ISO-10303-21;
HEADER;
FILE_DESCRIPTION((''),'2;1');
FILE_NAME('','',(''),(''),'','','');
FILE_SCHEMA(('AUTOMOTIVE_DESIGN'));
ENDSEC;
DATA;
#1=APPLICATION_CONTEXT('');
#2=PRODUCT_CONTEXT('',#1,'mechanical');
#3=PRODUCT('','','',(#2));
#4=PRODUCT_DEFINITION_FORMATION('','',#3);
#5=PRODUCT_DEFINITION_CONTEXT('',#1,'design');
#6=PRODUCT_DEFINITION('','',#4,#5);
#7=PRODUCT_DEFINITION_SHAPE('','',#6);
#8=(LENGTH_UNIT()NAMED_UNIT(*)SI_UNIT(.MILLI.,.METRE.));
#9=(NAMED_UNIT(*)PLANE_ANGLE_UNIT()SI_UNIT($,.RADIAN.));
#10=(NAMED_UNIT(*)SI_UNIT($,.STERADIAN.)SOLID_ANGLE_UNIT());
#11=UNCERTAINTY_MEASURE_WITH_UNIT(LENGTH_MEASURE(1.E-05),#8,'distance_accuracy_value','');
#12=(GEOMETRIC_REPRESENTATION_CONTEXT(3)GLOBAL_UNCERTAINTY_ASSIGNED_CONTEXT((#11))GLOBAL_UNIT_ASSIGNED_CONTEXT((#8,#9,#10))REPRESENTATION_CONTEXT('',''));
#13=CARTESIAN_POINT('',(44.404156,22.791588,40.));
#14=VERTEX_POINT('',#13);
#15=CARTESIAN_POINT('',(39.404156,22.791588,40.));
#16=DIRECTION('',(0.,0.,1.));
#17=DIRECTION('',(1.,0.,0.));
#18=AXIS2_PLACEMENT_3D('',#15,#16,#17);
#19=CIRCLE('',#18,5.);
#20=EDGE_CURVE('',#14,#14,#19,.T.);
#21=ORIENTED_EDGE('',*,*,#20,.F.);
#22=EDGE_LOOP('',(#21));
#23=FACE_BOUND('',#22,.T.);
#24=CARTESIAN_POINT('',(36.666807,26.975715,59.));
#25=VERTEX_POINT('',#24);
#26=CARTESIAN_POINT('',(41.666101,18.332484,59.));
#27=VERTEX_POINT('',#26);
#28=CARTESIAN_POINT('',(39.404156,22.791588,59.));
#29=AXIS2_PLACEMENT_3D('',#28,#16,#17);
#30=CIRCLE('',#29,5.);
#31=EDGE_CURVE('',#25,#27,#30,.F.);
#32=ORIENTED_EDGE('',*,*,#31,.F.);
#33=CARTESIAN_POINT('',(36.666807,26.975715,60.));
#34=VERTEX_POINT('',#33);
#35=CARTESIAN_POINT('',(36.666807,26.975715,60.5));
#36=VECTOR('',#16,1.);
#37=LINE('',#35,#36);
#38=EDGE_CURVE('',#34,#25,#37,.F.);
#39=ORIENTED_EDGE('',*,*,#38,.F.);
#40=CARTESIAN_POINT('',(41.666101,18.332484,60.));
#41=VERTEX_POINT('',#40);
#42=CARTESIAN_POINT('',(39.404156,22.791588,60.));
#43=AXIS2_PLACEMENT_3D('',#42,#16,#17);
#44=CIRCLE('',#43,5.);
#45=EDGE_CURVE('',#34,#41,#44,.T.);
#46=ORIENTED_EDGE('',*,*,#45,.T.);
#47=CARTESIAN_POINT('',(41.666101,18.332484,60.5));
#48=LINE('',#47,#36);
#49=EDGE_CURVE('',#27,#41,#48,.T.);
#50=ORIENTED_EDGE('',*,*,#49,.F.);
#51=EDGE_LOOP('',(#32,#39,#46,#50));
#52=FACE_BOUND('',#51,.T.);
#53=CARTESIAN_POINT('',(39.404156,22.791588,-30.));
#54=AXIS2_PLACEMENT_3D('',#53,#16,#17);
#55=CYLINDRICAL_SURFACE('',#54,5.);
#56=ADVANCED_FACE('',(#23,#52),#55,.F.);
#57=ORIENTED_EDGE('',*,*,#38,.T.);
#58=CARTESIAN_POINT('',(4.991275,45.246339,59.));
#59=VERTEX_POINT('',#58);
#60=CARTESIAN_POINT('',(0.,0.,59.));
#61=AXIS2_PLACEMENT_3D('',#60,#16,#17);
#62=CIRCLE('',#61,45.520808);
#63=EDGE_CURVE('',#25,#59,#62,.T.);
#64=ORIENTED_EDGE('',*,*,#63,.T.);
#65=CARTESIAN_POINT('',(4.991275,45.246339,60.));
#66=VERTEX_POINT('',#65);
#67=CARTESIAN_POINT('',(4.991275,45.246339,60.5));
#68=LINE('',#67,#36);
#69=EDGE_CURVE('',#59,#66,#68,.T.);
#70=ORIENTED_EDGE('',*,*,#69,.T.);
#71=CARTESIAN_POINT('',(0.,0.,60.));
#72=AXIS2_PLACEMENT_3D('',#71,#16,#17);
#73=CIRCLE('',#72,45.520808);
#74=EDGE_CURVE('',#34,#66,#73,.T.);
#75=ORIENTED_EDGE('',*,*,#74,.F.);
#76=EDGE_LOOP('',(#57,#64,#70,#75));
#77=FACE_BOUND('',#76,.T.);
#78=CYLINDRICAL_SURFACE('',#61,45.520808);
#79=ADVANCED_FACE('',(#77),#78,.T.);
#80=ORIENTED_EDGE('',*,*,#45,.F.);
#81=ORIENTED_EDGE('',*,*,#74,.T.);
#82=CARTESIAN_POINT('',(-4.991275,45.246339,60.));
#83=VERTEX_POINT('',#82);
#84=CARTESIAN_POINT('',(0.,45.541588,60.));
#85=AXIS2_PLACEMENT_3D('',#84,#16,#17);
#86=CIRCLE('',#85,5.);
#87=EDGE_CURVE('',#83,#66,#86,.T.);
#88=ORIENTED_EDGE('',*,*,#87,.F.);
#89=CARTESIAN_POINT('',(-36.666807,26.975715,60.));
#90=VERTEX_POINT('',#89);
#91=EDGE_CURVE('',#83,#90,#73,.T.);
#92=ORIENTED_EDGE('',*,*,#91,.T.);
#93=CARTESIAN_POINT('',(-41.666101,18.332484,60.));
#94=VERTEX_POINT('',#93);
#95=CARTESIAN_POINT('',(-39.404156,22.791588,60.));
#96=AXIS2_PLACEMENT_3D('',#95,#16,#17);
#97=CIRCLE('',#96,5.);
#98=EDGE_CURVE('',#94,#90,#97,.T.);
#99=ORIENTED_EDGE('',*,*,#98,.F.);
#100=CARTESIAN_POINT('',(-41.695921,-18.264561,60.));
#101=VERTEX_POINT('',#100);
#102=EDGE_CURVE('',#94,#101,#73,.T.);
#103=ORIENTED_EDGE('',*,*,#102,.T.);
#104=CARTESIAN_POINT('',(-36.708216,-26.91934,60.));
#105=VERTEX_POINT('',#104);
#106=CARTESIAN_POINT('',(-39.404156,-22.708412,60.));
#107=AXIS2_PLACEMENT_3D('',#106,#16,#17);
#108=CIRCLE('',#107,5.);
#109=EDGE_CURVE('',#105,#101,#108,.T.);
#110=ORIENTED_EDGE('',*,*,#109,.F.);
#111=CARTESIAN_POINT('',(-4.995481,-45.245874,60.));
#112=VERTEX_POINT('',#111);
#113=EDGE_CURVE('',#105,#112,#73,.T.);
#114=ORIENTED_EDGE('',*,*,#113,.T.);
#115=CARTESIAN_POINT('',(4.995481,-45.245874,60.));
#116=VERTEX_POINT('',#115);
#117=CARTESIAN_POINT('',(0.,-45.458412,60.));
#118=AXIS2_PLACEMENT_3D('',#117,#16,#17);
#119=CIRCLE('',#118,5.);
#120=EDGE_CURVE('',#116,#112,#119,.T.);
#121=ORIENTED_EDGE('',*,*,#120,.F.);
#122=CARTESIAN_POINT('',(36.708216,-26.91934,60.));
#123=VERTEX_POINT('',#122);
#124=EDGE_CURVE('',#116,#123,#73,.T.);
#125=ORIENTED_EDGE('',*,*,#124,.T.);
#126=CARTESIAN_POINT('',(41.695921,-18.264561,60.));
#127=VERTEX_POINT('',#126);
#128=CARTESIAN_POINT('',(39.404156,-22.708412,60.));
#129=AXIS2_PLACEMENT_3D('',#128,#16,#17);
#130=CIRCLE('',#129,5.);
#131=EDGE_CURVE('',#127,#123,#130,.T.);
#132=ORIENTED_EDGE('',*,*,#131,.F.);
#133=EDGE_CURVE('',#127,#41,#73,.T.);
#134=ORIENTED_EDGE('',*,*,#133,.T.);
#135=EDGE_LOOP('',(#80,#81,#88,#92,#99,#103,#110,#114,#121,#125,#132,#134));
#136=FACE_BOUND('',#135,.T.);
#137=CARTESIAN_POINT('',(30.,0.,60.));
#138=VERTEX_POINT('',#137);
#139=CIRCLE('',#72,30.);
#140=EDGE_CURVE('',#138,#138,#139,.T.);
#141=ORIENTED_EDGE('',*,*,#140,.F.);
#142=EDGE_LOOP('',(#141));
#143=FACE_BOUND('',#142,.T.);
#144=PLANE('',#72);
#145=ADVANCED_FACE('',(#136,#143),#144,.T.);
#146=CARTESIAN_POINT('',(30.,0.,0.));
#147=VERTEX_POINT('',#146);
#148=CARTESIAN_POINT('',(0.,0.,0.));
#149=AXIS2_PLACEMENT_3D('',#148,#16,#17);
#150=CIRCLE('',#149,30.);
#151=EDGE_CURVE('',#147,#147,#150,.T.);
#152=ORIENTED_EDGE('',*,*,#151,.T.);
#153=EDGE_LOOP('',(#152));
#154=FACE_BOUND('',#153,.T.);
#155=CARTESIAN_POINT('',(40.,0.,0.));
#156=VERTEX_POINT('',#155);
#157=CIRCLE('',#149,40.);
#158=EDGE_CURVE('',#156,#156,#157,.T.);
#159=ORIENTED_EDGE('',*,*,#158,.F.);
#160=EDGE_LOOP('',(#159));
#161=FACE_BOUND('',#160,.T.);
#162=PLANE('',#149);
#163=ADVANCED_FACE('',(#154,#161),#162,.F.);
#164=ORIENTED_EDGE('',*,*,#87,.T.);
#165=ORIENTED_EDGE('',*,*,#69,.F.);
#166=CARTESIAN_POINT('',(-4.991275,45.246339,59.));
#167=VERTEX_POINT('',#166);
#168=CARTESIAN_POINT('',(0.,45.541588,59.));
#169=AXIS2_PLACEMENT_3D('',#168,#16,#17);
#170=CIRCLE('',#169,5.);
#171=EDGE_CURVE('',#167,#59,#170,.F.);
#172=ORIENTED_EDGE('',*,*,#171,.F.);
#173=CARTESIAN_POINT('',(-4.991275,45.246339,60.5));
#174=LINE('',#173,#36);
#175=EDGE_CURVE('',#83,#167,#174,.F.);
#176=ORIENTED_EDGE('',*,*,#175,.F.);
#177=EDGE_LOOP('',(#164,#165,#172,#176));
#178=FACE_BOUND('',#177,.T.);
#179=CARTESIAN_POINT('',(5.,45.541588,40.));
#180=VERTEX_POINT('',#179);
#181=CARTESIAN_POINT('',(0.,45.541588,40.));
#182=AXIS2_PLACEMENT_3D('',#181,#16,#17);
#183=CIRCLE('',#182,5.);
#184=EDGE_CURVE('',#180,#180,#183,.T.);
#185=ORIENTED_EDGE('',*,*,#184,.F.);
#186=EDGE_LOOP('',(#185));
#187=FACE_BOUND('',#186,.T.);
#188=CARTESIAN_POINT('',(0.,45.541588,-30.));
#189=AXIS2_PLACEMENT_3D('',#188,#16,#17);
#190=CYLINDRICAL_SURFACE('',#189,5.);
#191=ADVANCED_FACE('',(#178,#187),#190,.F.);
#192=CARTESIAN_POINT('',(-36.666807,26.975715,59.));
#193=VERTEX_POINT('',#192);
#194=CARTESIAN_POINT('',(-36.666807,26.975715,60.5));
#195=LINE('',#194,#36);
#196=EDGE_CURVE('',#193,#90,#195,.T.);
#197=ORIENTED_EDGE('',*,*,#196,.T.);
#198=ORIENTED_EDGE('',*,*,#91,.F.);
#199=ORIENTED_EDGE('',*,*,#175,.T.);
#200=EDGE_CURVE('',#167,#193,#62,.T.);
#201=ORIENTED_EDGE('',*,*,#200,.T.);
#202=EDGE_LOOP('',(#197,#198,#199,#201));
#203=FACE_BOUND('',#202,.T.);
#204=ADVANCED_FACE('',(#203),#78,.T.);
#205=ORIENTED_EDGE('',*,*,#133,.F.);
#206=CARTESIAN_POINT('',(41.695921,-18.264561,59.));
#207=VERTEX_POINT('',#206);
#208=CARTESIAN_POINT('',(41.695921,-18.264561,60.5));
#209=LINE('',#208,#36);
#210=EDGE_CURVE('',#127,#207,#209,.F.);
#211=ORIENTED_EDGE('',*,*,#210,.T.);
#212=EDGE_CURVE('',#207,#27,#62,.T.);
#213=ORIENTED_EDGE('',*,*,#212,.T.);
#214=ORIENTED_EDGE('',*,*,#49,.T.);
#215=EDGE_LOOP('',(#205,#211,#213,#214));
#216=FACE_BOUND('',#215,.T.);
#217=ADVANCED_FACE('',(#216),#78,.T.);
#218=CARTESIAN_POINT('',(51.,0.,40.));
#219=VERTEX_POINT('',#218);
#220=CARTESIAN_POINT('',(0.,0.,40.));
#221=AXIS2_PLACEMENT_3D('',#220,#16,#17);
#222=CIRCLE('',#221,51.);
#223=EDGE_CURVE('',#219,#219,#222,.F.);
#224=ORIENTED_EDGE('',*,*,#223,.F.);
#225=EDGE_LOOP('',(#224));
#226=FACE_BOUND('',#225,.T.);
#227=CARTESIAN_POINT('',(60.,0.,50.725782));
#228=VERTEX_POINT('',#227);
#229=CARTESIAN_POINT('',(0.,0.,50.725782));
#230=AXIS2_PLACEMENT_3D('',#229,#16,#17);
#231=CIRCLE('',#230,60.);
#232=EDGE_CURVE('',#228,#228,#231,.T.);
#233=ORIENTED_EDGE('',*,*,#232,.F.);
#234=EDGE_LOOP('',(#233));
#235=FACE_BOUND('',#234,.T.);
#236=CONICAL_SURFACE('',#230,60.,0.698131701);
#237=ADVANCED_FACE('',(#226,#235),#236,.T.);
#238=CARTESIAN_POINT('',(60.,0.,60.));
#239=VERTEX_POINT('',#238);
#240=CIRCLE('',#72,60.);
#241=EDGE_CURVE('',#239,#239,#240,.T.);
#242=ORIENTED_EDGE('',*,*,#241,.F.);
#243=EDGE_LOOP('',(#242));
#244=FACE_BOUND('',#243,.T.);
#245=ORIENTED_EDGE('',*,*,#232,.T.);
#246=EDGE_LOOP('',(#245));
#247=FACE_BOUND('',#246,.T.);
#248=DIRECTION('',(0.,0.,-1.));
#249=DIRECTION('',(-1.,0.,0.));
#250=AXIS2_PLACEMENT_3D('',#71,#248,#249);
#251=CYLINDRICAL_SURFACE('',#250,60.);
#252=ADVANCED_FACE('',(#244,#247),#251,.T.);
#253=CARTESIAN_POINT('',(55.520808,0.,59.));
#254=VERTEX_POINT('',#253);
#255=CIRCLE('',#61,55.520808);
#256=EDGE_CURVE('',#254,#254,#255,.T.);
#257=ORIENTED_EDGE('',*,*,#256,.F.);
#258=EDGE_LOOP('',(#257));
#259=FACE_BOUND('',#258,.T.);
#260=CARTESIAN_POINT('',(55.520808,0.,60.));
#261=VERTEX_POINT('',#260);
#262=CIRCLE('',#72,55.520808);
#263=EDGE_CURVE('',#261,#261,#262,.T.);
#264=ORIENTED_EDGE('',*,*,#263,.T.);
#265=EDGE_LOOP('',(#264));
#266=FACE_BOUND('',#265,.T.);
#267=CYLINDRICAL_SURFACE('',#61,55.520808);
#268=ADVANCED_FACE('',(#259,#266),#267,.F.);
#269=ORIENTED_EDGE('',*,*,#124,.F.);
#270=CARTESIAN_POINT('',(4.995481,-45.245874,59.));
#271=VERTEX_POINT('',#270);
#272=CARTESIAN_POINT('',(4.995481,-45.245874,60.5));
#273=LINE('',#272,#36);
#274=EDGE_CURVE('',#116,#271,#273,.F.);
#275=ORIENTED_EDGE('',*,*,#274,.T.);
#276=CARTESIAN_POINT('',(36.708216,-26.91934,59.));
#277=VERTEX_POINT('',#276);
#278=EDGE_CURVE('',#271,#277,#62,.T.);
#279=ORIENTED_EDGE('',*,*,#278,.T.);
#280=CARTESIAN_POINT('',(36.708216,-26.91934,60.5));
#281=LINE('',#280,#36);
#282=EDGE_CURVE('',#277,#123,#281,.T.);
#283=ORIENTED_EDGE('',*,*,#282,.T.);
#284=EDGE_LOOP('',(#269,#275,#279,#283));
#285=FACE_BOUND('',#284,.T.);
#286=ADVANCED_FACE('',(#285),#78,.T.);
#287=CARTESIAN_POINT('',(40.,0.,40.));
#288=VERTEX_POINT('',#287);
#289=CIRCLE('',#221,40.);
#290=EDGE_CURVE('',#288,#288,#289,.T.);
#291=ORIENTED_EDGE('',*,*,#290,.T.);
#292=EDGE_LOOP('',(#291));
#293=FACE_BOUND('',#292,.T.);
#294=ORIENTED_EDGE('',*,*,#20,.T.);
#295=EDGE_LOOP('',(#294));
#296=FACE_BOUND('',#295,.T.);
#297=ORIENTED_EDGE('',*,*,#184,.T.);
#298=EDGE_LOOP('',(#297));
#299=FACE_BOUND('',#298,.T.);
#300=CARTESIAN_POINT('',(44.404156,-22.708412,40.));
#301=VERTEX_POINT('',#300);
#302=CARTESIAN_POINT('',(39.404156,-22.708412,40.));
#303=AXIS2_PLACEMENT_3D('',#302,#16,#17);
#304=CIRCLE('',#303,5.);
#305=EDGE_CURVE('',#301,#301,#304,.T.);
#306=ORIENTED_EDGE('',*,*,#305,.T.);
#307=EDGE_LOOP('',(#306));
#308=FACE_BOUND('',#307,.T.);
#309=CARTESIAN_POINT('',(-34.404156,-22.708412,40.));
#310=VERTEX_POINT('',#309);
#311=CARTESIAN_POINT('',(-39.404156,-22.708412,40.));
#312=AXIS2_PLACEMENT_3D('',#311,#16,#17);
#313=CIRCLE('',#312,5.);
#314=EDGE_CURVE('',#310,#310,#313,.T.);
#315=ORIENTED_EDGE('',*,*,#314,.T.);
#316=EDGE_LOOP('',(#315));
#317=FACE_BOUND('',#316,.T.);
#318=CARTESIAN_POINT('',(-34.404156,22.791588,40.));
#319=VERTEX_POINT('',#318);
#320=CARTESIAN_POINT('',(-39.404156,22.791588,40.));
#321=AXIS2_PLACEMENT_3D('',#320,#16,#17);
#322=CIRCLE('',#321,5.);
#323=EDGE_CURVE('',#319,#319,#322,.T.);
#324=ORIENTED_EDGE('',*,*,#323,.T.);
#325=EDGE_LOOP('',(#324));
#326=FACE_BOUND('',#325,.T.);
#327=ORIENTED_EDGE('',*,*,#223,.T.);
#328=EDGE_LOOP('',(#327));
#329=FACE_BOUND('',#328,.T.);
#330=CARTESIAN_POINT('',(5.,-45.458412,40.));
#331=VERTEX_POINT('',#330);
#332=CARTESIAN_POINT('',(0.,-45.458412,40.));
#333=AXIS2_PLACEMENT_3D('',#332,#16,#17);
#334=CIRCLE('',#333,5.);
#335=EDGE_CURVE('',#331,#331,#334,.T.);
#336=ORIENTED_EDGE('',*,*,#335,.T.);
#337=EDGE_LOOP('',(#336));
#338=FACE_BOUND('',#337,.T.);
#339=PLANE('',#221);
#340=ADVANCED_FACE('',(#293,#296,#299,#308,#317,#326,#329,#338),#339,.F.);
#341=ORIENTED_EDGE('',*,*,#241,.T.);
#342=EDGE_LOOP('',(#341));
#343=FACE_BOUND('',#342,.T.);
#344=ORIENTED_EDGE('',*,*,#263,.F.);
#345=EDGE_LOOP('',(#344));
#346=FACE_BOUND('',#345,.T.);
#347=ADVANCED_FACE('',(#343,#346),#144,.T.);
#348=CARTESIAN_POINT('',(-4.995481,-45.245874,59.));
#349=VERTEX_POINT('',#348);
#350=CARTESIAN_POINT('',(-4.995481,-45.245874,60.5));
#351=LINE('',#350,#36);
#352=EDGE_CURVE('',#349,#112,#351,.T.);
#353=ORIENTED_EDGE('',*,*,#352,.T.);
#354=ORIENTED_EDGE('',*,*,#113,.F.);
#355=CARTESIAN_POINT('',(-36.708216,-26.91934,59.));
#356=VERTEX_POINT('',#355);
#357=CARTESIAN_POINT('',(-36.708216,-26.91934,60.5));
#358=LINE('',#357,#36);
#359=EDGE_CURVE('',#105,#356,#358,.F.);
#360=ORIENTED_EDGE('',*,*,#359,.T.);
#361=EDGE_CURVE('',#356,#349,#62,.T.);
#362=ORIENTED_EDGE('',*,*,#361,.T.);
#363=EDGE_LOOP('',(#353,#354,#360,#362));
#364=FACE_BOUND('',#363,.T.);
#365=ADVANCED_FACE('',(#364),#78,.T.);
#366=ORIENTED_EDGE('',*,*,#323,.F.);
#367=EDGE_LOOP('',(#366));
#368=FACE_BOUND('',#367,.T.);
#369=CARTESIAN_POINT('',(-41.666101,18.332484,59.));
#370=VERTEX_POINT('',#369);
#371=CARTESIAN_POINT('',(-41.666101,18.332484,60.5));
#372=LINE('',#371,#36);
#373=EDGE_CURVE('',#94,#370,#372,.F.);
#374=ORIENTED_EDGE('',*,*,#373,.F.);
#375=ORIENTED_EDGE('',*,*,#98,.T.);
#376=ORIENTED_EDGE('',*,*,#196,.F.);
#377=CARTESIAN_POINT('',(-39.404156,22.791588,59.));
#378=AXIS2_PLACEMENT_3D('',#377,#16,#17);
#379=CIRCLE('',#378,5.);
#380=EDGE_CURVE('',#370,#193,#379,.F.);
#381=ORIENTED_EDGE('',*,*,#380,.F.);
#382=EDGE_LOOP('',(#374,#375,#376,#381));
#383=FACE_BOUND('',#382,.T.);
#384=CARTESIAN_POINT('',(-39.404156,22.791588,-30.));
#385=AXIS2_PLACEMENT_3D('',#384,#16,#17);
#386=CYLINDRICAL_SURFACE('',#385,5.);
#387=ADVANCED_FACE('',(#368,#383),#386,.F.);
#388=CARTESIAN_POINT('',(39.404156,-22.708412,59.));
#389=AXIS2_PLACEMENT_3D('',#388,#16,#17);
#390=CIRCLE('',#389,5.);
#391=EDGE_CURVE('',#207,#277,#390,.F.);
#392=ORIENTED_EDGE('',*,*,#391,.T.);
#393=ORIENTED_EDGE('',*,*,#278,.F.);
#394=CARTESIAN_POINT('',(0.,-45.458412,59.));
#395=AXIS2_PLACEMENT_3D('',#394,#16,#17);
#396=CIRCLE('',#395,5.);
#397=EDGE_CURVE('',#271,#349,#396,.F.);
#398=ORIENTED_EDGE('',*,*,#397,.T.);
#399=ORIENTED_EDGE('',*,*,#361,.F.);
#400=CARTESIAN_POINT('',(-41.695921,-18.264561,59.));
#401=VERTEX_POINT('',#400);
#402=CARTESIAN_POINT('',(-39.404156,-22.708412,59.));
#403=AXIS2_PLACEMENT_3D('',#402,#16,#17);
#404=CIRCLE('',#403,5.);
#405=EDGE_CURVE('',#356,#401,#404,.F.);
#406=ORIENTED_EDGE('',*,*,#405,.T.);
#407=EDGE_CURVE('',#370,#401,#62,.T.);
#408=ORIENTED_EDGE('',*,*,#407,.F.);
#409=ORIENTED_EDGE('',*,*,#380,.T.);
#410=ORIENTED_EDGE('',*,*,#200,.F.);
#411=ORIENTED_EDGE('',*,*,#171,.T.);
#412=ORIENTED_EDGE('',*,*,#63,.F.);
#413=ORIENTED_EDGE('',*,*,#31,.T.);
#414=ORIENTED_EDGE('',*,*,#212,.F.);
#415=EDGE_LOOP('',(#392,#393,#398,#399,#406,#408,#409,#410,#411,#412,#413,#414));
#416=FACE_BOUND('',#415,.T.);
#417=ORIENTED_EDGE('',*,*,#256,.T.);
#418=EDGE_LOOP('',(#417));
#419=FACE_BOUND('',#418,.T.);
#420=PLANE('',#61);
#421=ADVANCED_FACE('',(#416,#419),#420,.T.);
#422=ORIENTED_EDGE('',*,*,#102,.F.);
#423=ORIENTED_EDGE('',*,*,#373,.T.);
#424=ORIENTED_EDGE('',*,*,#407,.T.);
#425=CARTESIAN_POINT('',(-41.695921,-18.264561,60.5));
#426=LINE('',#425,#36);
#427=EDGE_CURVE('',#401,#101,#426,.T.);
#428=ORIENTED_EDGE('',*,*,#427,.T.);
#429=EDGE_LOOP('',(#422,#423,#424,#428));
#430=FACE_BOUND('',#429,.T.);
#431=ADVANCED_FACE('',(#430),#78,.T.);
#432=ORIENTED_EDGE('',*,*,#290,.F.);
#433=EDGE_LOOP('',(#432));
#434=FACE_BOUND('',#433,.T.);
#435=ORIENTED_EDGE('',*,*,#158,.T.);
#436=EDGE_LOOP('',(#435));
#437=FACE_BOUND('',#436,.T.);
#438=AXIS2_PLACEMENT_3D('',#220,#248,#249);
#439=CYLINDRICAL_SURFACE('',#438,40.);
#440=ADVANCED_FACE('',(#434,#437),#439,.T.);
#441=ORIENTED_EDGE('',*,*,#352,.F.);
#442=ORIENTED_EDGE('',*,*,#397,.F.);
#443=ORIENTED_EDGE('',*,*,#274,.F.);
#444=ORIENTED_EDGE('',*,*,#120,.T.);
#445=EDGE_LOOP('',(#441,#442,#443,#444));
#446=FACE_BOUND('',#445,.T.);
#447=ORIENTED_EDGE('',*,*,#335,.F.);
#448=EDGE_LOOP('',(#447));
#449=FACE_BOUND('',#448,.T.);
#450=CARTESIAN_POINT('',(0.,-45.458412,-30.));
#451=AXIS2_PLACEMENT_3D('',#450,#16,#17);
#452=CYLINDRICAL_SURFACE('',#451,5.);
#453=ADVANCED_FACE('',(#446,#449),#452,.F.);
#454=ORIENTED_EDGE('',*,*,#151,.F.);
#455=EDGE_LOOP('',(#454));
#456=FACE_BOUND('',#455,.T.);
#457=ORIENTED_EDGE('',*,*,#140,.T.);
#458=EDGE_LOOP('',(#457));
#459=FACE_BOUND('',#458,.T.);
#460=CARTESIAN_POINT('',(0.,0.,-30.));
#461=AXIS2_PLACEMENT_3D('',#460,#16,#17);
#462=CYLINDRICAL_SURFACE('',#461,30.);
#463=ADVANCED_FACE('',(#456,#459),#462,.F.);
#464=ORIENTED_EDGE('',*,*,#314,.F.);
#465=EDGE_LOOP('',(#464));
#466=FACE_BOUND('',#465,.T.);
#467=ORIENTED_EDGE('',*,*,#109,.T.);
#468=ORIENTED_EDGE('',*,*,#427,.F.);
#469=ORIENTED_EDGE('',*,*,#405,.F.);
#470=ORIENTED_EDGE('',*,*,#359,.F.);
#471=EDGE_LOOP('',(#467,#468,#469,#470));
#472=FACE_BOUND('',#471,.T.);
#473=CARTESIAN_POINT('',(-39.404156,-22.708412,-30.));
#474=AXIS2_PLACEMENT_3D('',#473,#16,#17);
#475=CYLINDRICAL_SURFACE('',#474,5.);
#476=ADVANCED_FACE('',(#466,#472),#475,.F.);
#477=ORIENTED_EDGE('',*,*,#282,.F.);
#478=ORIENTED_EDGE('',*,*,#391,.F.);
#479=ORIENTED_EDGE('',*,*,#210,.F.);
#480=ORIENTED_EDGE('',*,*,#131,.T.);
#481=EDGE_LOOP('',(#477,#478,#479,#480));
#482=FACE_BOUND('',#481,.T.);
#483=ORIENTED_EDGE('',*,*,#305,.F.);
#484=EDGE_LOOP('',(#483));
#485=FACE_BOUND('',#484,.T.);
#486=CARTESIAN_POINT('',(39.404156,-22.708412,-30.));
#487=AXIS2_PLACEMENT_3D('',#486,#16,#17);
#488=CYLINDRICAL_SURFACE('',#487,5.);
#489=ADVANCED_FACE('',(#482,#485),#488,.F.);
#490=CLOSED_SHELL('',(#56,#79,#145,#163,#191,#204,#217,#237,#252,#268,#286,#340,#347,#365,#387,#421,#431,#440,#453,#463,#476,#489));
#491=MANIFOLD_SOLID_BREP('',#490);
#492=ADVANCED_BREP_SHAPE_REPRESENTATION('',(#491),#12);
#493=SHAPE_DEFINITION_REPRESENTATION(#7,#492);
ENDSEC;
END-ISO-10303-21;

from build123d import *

# Parameters (mm, degrees)
SKETCH1_R                    = 40
SKETCH1_R_2                  = 27.5
BOSS_EXTRUDE1_DEPTH          = 40
SKETCH3_R                    = 60
BOSS_EXTRUDE2_DEPTH          = 20
SKETCH4_R                    = 30
SKETCH4_R_2                  = 5
CUT_EXTRUDE2_DEPTH           = 90
CHAMFER2_SIZE                = 9
CHAMFER2_SIZE2               = 10.725782333
CUT_EXTRUDE_THIN2_DEPTH      = 2
CUT_EXTRUDE_THIN2_DEPTH_BACK = 1
SKETCH6_R                    = 55.520808166
SKETCH6_R_2                  = 45.520808166


with BuildPart() as part:
    # Sketch1 → Boss-Extrude1 (new body)
    with BuildSketch(Plane.XY):
        Circle(SKETCH1_R)
        Circle(SKETCH1_R_2, mode=Mode.SUBTRACT)
    extrude(amount=BOSS_EXTRUDE1_DEPTH)

    # Sketch3 → Boss-Extrude2 (add)
    with BuildSketch(Plane.XY.offset(40)):
        Circle(SKETCH3_R)
    extrude(amount=BOSS_EXTRUDE2_DEPTH)

    # Sketch4 → Cut-Extrude2 (cut)
    with BuildSketch(Plane.XY.offset(60)):
        Circle(SKETCH4_R)
        with Locations((0, 45.541587837)):
            Circle(SKETCH4_R_2)
        with Locations((39.404155872, 22.791587837)):
            Circle(SKETCH4_R_2)
        with Locations((39.404155872, -22.708412163)):
            Circle(SKETCH4_R_2)
        with Locations((0, -45.458412163)):
            Circle(SKETCH4_R_2)
        with Locations((-39.404155872, -22.708412163)):
            Circle(SKETCH4_R_2)
        with Locations((-39.404155872, 22.791587837)):
            Circle(SKETCH4_R_2)
    extrude(amount=-CUT_EXTRUDE2_DEPTH, mode=Mode.SUBTRACT)

    # Chamfer2
    chamfer2_edges = [part.edges().sort_by_distance(p)[0] for p in [
        (-60, 0, 40),
    ]]
    chamfer2_side = [part.faces().sort_by_distance(p)[0] for p in [
        (-58.302943725, 0, 40),
    ]]
    chamfer(chamfer2_edges, length=CHAMFER2_SIZE, length2=CHAMFER2_SIZE2, reference=chamfer2_side[0])

    # Sketch6 → Cut-Extrude-Thin2 (cut, two sides: drawn at the far end of the back side and taken through both)
    with BuildSketch(Plane.XY.offset(60).offset(-CUT_EXTRUDE_THIN2_DEPTH_BACK)):
        Circle(SKETCH6_R)
        Circle(SKETCH6_R_2, mode=Mode.SUBTRACT)
    extrude(amount=CUT_EXTRUDE_THIN2_DEPTH + CUT_EXTRUDE_THIN2_DEPTH_BACK, mode=Mode.SUBTRACT)


solid = part.part
